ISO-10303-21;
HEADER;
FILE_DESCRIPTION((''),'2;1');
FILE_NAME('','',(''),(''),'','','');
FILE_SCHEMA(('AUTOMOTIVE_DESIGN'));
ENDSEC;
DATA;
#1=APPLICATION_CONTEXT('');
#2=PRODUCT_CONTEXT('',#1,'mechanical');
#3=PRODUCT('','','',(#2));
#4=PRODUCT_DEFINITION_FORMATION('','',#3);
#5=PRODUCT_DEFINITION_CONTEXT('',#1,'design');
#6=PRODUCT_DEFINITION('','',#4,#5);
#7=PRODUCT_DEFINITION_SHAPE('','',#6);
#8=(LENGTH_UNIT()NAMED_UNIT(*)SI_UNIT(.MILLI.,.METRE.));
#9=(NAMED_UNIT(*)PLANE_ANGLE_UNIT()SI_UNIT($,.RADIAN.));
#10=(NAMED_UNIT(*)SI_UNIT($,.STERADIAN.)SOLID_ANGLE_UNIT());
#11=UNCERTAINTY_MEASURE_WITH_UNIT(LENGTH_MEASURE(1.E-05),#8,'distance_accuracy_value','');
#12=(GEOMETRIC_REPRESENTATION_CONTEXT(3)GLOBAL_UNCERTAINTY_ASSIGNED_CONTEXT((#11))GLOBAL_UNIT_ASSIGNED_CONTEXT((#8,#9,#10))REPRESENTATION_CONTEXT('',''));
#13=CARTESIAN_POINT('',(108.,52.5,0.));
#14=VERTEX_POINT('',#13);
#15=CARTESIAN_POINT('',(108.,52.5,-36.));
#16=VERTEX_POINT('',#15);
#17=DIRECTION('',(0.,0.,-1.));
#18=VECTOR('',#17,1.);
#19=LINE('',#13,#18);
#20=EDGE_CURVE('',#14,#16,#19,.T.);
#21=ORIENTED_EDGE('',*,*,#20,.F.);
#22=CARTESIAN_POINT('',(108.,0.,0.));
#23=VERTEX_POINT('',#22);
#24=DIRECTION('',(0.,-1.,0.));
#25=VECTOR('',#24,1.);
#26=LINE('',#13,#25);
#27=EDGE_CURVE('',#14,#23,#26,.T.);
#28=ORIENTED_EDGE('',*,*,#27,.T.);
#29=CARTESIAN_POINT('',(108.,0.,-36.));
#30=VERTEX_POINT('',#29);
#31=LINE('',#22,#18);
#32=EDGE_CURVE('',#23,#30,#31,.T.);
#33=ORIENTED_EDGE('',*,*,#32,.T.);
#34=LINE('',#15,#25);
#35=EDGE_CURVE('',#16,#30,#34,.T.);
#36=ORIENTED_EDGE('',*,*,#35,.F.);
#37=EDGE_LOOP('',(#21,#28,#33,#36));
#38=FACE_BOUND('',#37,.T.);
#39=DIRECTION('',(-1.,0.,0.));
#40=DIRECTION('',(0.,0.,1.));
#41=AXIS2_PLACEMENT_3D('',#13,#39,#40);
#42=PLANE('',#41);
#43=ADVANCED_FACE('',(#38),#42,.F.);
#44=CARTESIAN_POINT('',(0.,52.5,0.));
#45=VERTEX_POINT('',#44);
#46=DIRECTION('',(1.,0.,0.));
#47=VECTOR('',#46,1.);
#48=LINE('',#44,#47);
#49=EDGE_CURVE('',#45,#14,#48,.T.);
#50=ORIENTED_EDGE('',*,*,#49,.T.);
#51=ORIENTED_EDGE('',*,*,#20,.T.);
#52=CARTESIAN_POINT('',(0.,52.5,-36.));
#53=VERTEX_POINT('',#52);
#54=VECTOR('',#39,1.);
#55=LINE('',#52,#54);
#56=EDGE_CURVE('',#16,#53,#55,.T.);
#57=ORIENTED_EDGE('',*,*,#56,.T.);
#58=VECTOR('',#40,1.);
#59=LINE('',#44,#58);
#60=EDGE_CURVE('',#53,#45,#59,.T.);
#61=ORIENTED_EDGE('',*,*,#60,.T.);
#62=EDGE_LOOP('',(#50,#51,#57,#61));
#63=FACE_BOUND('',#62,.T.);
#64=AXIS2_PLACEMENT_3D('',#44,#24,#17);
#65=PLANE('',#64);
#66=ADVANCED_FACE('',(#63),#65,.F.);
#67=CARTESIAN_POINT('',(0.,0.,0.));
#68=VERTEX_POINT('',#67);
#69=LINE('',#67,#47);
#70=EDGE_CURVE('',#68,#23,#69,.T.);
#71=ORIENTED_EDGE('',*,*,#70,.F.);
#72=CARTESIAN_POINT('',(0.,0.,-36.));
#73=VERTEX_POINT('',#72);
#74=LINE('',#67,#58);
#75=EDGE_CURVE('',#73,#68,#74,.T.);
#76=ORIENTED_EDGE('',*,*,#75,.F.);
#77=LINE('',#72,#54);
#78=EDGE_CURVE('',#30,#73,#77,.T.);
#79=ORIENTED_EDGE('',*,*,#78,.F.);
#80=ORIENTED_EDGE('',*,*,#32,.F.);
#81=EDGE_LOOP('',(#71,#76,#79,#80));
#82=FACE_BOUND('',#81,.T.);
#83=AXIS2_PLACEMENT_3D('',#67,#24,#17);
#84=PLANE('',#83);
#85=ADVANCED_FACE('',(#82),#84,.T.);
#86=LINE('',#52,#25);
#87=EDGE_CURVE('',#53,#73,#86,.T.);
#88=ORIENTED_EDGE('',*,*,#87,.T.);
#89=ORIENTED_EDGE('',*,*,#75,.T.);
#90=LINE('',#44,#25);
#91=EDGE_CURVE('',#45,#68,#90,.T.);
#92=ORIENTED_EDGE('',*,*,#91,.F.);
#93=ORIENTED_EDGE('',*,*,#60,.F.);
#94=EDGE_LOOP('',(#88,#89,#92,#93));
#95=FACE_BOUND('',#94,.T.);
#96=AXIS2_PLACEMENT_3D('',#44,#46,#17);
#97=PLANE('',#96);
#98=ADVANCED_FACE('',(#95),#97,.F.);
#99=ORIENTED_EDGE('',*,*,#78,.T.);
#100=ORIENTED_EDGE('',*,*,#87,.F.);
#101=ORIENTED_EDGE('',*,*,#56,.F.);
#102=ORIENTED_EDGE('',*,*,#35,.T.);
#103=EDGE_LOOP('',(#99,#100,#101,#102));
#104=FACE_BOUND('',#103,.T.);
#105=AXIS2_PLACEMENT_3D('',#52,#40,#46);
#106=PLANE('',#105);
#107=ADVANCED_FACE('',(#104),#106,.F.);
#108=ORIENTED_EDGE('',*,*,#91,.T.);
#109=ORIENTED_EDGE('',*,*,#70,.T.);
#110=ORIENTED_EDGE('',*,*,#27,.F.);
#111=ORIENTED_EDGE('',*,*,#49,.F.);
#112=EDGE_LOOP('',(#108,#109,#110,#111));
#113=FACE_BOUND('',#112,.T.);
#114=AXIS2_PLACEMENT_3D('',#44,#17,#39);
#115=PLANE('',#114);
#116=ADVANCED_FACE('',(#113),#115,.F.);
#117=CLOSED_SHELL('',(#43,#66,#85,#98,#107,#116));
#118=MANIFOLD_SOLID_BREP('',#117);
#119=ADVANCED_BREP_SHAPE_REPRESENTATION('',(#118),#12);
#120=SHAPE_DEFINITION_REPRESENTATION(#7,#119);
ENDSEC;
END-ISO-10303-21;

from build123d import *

# Parameters (mm, degrees)
SKETCH_1_W      = 108
SKETCH_1_H      = 36
EXTRUDE_1_DEPTH = 52.5


with BuildPart() as part:
    # 草图1 → 凸台-拉伸1 (new body)
    with BuildSketch(Plane(origin=(0, 0, 0), x_dir=(1, 0, 0), z_dir=(0, 1, 0))):
        with Locations((54, 18)):
            Rectangle(SKETCH_1_W, SKETCH_1_H)
    extrude(amount=EXTRUDE_1_DEPTH)


solid = part.part
